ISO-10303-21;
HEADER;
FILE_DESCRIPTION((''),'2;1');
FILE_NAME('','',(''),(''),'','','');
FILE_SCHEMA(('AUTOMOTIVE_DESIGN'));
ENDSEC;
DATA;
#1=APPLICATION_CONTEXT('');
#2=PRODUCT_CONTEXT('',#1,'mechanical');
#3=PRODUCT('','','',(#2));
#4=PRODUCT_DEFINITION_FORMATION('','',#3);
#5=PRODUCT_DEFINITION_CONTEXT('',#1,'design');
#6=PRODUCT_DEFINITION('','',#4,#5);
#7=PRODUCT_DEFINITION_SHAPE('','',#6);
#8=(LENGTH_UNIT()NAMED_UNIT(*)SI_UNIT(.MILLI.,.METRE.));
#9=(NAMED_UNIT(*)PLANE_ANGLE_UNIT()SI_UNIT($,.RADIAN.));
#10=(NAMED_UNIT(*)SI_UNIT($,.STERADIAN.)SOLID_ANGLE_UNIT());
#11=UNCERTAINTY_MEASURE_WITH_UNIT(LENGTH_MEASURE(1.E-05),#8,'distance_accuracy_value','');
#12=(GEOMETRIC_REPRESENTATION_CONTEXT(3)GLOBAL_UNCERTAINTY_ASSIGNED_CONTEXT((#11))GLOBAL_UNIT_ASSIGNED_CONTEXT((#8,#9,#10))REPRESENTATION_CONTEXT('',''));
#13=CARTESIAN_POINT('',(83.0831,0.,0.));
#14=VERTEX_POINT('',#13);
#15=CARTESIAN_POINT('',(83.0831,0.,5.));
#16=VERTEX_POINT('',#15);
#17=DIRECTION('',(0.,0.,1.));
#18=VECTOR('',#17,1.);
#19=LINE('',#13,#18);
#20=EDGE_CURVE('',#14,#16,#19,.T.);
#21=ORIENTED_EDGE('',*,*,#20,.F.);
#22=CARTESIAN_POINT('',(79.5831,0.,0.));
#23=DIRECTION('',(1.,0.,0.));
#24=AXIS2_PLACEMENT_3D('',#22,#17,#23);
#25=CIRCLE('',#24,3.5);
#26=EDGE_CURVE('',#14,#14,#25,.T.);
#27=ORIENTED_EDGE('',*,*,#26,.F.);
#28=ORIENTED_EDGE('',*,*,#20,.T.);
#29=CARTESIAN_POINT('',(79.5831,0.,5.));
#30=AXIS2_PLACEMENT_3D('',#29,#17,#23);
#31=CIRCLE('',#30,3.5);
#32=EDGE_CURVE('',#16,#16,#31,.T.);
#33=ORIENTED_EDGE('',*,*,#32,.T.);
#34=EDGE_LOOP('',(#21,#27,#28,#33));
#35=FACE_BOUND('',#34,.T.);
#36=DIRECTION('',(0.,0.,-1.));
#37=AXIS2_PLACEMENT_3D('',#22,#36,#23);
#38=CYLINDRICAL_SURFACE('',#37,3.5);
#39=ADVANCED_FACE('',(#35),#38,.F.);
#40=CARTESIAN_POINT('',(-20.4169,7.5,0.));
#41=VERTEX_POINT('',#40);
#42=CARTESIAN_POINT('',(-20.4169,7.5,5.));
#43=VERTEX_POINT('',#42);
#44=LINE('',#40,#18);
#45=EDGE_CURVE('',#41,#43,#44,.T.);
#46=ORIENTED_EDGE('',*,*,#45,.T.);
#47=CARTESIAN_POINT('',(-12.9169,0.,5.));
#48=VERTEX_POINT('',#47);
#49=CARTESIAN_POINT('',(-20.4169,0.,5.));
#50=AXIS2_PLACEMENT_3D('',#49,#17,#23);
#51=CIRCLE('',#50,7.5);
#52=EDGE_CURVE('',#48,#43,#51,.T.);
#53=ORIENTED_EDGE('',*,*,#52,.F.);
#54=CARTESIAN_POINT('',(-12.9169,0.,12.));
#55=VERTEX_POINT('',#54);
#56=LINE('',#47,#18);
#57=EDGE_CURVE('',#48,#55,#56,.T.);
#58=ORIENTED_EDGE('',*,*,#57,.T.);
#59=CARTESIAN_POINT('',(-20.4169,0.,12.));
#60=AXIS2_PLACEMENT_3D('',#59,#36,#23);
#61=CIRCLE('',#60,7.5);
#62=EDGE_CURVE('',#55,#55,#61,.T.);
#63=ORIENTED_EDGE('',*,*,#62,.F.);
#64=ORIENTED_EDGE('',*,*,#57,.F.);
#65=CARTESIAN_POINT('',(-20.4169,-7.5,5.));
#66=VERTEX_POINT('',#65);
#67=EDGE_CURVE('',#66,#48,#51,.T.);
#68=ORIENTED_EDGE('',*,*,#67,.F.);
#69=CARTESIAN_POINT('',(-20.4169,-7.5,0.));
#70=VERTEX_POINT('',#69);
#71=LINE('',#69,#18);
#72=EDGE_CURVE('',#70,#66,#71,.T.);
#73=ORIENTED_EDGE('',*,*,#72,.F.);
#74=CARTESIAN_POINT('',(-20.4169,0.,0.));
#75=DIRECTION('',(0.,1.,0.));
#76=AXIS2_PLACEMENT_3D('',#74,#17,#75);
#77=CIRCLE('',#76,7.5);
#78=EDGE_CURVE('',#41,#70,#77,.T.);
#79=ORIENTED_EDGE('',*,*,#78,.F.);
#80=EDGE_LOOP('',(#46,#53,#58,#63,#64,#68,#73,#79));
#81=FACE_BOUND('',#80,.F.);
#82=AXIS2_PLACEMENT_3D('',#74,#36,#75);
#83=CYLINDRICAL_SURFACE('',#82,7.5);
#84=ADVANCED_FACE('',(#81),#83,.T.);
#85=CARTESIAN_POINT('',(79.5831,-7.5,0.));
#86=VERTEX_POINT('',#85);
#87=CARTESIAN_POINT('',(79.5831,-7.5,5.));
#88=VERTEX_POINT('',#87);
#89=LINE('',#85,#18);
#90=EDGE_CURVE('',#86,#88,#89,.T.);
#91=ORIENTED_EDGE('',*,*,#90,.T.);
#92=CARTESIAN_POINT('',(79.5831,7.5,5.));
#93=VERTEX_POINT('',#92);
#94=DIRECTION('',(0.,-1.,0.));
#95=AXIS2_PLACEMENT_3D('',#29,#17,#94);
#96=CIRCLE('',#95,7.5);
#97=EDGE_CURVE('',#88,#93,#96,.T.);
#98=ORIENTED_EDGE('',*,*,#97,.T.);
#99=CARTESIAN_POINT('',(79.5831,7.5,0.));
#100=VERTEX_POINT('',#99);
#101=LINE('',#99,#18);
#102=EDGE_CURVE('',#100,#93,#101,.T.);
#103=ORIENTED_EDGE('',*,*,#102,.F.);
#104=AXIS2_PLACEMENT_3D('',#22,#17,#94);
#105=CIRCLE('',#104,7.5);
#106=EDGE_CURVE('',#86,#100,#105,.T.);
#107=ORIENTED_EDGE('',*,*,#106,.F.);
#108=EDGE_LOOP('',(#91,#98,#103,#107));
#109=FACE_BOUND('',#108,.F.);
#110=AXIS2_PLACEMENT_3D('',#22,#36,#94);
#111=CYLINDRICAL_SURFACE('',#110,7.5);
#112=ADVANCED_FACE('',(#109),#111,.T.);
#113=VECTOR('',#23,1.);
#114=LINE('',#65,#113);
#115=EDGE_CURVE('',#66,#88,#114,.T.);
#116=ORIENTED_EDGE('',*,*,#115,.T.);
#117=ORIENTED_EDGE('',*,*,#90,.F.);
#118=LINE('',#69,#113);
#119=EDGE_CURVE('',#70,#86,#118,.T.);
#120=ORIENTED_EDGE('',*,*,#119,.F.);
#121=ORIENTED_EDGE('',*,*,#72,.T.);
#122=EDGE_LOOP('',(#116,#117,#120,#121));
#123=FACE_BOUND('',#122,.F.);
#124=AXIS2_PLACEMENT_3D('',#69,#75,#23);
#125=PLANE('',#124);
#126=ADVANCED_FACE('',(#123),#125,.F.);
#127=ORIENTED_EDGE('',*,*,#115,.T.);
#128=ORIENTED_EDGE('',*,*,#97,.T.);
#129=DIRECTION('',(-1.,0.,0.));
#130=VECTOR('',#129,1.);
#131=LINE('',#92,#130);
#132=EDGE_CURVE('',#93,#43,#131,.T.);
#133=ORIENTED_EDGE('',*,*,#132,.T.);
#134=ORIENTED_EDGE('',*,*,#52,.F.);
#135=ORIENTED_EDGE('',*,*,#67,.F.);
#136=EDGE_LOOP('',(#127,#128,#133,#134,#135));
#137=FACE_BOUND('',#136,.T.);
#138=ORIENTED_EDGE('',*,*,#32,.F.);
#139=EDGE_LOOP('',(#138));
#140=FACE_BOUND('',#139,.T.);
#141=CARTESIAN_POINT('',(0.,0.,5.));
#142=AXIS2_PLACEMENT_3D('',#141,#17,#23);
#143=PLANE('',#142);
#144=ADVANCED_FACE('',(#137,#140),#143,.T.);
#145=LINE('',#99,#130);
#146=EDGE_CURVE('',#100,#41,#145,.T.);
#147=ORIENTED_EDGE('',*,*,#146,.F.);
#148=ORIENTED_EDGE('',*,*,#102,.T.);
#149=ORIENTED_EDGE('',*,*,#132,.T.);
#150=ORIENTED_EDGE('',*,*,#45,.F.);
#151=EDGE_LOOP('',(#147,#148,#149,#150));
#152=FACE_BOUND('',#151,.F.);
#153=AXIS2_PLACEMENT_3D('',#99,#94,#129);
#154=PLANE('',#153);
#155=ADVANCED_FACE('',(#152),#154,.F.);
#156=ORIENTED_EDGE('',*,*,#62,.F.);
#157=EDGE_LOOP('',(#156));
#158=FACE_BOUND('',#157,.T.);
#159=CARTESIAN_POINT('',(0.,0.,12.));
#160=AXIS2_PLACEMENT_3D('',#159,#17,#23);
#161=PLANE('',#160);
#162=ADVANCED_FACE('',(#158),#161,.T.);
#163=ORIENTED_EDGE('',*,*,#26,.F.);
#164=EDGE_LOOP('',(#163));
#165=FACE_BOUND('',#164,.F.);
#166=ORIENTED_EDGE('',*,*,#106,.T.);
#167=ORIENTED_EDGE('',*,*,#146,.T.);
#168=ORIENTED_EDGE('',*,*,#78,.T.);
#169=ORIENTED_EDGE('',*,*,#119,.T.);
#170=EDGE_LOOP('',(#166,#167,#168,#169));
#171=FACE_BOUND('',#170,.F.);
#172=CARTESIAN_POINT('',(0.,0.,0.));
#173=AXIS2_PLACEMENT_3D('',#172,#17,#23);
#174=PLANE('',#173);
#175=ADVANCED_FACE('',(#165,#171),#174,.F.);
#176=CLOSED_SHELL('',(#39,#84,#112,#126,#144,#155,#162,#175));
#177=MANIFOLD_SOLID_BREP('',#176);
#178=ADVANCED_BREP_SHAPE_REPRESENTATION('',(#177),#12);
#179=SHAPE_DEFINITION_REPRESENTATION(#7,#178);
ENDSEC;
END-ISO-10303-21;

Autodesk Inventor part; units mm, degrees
ref_plane "YZ Plane" through (0, 0, 0) normal (1, 0, 0) x (0, 1, 0)
ref_plane "XZ Plane" through (0, 0, 0) normal (0, 1, 0) x (-1, 0, 0)
ref_plane "XY Plane" through (0, 0, 0) normal (0, 0, 1) x (1, 0, 0)
sketch "Boceto1" plane through (0, 0, 0) normal (0, 0, 1) x (1, 0, 0)
  line L0 (-20.4169, 0) -> (79.5831, 0) construction
  line L1 (-20.4169, -7.5) -> (79.5831, -7.5)
  line L2 (79.5831, 7.5) -> (-20.4169, 7.5)
  arc A0 (-20.4169, 7.5) -> (-20.4169, -7.5) centre (-20.4169, 0) ccw
  arc A1 (79.5831, -7.5) -> (79.5831, 7.5) centre (79.5831, 0) ccw
  circle A2 centre (79.5831, 0) radius 3.5
  point P0 (0, 0)
  point P1 (29.5831, 0)
  dimension "d0" = 100
  dimension "d1" = 15
  dimension "d2" = 7
extrude "Extrusión1" add sketch "Boceto1" along normal blind 5
sketch "Boceto3" plane through (0, 0, 5) normal (0, 0, 1) x (1, 0, 0)
  line L0 (79.5831, 7.5) -> (-20.4169, 7.5) projected
  circle A0 centre (-20.4169, 0) radius 7.5
  point P0 (0, 0)
extrude "Extrusión3" add sketch "Boceto3" along normal blind 7
properties part number "L2" material "Aluminio 6061"
